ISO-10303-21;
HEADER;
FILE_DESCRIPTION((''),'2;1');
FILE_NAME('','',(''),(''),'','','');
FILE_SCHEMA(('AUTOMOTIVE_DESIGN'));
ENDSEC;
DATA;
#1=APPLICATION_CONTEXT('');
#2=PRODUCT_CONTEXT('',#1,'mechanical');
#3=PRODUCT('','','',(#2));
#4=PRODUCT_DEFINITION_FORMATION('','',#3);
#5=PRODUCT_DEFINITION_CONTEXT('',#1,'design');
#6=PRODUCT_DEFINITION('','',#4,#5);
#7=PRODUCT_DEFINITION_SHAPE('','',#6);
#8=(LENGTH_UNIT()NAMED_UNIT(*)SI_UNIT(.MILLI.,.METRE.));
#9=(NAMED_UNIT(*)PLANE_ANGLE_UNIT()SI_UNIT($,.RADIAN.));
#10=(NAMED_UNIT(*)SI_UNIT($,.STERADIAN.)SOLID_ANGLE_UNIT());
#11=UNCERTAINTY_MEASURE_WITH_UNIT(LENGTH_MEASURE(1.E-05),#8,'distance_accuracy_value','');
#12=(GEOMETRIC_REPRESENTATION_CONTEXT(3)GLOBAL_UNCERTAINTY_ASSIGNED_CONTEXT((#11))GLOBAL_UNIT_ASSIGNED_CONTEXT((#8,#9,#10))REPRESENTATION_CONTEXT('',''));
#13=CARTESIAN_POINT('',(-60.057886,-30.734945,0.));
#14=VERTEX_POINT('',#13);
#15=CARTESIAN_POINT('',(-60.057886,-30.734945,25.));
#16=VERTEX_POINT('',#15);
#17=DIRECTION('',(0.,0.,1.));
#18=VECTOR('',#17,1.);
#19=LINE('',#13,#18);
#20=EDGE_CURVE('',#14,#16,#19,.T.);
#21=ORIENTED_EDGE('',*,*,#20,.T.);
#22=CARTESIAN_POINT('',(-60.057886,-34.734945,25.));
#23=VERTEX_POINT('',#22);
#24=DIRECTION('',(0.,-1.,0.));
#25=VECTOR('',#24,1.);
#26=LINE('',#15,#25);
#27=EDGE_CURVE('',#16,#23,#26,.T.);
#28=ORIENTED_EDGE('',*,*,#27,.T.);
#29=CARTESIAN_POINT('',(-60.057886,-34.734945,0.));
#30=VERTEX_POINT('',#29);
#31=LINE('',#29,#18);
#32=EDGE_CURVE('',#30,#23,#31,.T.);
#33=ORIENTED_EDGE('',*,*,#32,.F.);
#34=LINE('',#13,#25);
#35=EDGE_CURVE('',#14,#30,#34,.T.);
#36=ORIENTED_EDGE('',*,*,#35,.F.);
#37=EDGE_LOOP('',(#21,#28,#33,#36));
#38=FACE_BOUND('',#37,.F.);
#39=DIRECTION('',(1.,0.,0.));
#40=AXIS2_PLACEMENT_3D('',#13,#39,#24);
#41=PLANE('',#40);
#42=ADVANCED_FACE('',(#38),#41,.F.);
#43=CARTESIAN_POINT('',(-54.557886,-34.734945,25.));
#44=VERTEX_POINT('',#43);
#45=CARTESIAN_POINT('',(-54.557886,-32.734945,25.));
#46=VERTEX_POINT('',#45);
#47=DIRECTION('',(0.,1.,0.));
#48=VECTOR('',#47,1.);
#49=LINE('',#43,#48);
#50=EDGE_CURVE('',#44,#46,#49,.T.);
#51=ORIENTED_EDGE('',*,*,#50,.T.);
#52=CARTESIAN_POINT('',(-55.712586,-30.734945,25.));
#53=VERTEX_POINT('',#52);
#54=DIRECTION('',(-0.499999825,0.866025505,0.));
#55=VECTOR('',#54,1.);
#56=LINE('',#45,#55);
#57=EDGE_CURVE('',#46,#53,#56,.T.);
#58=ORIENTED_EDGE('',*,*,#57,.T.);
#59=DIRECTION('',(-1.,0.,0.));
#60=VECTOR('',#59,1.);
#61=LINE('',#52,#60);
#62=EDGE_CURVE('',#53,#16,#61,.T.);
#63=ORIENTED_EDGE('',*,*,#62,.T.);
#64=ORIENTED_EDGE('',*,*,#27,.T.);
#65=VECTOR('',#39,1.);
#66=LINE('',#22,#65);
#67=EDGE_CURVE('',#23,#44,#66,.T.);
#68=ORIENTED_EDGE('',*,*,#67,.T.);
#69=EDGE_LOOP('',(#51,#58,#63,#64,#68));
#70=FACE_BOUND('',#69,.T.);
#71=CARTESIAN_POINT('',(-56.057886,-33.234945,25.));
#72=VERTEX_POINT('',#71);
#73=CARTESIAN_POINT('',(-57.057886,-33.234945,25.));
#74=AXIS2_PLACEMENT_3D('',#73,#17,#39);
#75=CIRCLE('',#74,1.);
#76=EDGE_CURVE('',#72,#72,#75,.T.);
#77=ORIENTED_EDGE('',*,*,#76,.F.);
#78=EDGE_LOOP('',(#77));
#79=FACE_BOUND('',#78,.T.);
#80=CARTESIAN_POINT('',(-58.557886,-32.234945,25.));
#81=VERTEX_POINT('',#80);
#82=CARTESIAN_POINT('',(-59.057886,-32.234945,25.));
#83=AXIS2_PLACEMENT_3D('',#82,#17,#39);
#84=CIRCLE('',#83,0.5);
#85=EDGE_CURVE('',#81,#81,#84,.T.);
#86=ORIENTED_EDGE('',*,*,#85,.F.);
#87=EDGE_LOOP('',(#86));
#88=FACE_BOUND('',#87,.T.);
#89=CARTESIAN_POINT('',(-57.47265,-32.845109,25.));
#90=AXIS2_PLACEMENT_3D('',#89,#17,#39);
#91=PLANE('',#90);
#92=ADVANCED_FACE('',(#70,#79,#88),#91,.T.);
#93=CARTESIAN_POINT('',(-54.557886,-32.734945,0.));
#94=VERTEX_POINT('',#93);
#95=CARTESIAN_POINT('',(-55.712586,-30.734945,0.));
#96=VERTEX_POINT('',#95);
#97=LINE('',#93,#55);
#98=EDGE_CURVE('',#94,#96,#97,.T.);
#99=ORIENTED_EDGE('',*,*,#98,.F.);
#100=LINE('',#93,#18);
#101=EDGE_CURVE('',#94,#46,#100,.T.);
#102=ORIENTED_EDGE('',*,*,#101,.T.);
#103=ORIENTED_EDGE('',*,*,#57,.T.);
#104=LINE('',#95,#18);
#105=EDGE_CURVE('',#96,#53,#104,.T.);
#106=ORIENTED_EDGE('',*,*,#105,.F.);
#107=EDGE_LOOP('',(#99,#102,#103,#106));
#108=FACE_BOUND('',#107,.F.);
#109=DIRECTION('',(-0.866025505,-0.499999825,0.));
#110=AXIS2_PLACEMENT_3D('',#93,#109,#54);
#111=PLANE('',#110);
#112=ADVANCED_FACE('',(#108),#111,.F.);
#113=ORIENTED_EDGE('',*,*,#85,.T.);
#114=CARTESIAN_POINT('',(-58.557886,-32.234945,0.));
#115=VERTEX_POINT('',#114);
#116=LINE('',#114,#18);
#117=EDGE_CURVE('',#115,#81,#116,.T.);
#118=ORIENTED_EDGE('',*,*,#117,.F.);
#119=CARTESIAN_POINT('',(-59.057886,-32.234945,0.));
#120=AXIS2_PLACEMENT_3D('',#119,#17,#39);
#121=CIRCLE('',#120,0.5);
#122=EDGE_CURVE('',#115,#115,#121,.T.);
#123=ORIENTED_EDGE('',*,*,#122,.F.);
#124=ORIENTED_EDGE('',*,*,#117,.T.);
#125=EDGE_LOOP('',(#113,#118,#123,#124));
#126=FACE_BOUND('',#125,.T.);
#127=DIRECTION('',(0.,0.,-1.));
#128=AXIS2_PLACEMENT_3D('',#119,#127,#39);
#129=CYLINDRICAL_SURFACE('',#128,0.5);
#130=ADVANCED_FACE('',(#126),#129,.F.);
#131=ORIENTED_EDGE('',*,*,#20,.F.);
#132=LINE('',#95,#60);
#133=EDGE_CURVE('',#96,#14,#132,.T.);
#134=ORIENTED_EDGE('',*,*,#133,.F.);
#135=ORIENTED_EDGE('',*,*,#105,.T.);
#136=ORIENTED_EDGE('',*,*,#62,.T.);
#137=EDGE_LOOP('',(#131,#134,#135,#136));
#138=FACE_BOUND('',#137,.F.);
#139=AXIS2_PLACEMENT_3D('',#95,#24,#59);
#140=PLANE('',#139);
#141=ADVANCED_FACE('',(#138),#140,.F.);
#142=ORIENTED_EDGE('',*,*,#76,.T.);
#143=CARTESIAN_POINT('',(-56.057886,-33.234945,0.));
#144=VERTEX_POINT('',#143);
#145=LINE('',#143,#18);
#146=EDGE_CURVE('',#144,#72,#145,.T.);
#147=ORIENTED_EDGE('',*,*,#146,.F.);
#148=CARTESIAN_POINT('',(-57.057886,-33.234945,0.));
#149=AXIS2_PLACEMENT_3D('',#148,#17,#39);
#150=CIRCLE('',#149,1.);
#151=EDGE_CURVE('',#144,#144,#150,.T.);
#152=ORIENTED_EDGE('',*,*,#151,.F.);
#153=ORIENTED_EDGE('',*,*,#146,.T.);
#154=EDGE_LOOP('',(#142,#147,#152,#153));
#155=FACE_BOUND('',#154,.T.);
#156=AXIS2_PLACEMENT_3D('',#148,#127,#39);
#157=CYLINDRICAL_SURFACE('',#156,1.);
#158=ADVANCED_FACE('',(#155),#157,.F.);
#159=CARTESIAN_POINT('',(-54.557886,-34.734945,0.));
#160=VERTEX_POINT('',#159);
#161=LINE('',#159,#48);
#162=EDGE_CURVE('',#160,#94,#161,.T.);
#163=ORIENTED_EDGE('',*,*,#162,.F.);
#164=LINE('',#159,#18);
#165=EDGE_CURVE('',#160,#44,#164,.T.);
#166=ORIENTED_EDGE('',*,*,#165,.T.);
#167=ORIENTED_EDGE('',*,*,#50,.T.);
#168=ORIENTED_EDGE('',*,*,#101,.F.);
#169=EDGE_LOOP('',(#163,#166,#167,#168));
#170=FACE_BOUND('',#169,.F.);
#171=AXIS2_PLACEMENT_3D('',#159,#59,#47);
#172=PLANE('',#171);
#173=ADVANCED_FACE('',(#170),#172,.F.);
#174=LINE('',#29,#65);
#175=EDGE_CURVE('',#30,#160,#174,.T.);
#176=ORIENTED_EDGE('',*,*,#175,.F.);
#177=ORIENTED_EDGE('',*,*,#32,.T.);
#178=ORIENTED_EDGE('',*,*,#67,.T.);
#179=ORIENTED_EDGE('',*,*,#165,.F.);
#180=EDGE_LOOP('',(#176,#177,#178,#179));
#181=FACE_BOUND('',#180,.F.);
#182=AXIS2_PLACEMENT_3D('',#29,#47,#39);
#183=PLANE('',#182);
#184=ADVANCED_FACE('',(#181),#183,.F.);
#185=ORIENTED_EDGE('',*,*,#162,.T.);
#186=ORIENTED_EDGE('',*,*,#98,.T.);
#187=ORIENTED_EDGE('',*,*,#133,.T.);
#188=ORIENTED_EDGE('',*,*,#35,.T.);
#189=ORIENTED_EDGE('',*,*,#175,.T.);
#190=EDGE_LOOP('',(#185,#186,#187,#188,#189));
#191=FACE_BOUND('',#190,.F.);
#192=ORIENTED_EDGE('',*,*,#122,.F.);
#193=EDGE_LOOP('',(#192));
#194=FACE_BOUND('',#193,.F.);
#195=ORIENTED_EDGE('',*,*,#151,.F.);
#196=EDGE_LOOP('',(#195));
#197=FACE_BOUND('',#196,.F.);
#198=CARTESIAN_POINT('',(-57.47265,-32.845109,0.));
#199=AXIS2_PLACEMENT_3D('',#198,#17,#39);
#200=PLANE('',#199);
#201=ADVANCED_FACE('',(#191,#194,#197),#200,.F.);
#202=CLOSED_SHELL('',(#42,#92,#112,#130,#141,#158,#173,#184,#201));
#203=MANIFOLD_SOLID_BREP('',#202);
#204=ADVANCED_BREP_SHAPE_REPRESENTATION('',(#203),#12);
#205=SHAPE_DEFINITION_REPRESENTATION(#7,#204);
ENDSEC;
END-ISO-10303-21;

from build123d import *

# Parameters (mm, degrees)
F0_R     = 1
F0_R_2   = 0.5
F1_DEPTH = 25


with BuildPart() as f1:
    # F0 (on Top) → F1 (new body)
    with BuildSketch(Plane.XY):
        Polygon((-60.057886, -32.234945), (-60.057886, -34.734945), (-54.557886, -34.734945), (-54.557886, -32.734945), (-55.712586, -30.734945), (-60.057886, -30.734945), align=None)
        with Locations((-57.057886, -33.234945)):
            Circle(F0_R, mode=Mode.SUBTRACT)
        with Locations((-59.057886, -32.234945)):
            Circle(F0_R_2, mode=Mode.SUBTRACT)
    extrude(amount=F1_DEPTH)


solid = f1.part
